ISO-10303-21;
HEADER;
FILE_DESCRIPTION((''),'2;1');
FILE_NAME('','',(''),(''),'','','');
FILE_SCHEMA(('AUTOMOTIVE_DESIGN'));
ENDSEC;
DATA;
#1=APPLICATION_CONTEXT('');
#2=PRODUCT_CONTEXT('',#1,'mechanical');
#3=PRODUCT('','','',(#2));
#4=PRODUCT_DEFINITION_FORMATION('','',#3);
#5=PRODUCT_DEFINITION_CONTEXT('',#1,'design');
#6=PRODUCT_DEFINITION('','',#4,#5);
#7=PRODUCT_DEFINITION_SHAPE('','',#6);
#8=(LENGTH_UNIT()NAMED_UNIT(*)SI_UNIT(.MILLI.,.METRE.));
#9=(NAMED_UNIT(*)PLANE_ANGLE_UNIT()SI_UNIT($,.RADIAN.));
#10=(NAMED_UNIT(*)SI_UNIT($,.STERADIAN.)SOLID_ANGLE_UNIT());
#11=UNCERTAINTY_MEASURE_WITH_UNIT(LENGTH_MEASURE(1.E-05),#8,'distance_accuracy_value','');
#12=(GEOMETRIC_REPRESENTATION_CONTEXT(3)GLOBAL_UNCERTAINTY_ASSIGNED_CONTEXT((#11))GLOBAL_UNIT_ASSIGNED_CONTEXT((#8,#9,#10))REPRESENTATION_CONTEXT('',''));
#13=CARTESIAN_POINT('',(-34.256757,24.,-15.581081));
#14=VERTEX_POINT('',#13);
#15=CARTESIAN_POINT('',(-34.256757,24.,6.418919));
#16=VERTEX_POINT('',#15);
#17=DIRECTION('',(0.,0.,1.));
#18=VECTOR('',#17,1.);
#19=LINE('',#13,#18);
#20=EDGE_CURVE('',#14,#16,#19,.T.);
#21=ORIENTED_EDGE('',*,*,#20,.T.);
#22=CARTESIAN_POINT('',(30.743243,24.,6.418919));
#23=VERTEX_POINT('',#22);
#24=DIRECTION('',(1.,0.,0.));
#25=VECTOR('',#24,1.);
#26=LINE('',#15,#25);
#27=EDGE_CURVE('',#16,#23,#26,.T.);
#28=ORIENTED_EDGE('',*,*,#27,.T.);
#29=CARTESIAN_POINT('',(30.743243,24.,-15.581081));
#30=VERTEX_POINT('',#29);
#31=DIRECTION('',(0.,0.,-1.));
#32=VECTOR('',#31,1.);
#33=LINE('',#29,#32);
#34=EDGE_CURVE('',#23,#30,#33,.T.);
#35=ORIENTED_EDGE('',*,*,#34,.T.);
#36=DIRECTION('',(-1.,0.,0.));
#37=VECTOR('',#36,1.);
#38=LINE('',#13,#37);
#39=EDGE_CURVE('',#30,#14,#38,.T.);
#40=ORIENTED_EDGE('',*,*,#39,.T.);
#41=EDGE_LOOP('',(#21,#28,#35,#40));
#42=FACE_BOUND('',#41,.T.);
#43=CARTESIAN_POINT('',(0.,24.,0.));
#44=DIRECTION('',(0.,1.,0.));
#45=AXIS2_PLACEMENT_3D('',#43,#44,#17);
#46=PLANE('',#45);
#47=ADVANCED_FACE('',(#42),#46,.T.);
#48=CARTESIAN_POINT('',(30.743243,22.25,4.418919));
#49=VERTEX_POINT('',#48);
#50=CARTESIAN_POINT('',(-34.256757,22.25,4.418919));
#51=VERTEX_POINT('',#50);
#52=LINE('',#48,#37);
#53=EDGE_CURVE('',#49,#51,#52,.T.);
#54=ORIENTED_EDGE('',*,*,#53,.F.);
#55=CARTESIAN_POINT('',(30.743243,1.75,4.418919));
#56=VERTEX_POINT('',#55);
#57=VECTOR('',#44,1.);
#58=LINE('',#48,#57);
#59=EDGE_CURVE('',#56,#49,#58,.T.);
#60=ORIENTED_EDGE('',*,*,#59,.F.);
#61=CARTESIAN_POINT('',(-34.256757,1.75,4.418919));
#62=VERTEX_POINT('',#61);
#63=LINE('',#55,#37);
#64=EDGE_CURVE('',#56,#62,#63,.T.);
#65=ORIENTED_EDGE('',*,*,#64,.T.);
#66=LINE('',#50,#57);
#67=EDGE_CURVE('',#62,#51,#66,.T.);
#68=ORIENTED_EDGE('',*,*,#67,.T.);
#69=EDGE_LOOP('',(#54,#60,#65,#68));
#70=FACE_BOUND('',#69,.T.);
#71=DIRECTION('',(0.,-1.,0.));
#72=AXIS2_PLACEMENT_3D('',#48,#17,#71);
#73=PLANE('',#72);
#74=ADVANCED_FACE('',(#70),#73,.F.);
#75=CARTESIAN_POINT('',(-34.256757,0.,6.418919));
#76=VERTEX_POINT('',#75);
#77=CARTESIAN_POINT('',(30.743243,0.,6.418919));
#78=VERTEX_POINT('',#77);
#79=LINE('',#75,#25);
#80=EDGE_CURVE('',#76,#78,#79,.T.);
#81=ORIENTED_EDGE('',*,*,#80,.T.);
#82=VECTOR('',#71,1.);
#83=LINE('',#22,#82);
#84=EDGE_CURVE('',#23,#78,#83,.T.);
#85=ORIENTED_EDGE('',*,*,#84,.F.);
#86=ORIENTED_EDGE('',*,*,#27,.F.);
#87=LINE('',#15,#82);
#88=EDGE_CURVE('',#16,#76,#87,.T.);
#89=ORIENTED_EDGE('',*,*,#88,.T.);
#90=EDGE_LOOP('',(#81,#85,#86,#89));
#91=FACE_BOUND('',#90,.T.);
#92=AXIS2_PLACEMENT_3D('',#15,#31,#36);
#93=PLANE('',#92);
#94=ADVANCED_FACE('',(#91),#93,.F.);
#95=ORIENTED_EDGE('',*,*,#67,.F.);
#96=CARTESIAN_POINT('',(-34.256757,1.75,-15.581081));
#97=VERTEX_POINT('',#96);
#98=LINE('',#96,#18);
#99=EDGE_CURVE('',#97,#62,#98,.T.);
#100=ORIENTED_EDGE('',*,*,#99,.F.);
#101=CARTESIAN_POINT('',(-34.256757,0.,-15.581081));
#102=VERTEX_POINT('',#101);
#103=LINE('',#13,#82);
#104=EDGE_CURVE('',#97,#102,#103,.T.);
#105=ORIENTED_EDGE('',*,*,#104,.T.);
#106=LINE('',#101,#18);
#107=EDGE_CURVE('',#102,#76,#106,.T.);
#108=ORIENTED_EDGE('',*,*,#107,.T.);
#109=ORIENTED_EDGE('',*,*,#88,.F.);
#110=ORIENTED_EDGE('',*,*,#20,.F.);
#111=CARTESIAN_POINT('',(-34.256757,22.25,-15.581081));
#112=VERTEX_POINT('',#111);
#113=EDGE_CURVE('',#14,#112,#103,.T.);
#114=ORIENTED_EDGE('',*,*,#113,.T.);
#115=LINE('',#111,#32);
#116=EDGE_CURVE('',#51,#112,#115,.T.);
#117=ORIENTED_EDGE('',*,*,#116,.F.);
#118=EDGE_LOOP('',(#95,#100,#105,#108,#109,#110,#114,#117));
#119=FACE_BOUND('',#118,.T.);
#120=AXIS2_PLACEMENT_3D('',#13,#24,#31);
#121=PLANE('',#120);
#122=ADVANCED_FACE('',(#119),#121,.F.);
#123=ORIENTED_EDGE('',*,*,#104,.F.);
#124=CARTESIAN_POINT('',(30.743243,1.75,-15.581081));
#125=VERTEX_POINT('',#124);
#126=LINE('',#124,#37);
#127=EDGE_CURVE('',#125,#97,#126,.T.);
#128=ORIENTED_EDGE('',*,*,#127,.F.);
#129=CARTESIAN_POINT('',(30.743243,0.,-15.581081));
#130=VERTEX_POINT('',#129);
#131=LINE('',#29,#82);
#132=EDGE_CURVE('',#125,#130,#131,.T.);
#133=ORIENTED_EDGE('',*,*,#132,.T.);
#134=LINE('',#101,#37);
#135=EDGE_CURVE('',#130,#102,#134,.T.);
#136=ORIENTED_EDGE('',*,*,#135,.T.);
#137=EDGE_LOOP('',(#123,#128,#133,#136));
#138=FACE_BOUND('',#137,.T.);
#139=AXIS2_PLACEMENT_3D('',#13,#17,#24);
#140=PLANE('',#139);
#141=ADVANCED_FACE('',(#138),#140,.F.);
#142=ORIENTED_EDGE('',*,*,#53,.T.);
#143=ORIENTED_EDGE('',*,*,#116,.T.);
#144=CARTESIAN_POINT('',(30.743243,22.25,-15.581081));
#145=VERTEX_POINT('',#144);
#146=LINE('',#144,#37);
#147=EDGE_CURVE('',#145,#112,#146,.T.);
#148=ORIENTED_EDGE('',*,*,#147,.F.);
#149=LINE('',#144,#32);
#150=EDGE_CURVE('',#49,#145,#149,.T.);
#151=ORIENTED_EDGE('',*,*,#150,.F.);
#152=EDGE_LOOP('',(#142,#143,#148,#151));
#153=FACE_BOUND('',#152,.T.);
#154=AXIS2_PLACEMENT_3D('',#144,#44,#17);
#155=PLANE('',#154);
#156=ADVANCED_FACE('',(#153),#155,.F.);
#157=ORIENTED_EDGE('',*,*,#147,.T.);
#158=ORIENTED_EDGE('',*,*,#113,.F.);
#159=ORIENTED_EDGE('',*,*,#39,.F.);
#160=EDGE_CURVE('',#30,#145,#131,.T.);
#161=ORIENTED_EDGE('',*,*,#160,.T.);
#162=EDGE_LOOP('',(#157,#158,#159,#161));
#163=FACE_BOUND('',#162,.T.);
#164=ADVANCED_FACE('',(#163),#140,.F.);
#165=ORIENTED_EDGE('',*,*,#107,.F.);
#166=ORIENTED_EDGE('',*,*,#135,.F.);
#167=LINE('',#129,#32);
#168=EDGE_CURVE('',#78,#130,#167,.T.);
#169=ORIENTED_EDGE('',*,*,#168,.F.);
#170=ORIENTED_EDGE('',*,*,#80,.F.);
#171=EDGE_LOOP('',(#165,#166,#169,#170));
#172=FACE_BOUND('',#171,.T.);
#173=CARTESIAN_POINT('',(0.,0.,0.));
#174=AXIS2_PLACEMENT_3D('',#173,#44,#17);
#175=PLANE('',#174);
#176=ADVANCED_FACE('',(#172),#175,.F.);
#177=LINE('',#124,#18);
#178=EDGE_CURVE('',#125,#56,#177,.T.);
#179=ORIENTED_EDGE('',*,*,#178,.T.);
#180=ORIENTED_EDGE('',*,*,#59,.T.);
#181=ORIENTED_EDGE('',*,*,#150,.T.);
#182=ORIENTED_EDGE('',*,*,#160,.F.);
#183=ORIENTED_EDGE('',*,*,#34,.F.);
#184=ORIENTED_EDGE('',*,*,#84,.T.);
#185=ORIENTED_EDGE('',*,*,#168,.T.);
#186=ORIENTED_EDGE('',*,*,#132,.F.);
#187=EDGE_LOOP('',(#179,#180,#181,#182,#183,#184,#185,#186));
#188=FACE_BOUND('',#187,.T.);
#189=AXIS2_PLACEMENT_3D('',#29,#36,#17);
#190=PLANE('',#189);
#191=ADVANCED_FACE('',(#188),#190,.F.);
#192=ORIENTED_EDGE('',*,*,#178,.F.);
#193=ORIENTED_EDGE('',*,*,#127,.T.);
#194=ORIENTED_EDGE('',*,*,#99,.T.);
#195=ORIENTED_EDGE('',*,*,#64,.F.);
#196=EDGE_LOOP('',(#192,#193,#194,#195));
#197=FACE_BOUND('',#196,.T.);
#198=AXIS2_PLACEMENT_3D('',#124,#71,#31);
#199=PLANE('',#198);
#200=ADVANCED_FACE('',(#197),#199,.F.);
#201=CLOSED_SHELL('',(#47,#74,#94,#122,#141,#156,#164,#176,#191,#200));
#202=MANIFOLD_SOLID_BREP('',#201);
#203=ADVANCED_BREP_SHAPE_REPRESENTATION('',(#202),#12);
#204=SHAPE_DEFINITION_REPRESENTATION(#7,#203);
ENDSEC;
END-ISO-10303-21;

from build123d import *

# Parameters (mm, degrees)
SKETCH_1_W          = 65
SKETCH_1_H          = 22
EXTRUDE_1_DEPTH     = 24
SKETCH_2_W          = 20
SKETCH_2_H          = 20.5
CUT_EXTRUDE_1_DEPTH = 72.01950498


with BuildPart() as part:
    # 草图1 → 凸台-拉伸1 (new body)
    with BuildSketch(Plane(origin=(0, 0, 0), x_dir=(1, 0, 0), z_dir=(0, 1, 0))):
        with Locations((-1.756756757, 4.581081081)):
            Rectangle(SKETCH_1_W, SKETCH_1_H)
    extrude(amount=EXTRUDE_1_DEPTH)

    # 草图2 → 切除-拉伸1 (cut, through all)
    with BuildSketch(Plane.ZY.offset(34.256756757)):
        with Locations((-5.581081081, 12)):
            Rectangle(SKETCH_2_W, SKETCH_2_H)
    extrude(amount=-CUT_EXTRUDE_1_DEPTH, mode=Mode.SUBTRACT)


solid = part.part
